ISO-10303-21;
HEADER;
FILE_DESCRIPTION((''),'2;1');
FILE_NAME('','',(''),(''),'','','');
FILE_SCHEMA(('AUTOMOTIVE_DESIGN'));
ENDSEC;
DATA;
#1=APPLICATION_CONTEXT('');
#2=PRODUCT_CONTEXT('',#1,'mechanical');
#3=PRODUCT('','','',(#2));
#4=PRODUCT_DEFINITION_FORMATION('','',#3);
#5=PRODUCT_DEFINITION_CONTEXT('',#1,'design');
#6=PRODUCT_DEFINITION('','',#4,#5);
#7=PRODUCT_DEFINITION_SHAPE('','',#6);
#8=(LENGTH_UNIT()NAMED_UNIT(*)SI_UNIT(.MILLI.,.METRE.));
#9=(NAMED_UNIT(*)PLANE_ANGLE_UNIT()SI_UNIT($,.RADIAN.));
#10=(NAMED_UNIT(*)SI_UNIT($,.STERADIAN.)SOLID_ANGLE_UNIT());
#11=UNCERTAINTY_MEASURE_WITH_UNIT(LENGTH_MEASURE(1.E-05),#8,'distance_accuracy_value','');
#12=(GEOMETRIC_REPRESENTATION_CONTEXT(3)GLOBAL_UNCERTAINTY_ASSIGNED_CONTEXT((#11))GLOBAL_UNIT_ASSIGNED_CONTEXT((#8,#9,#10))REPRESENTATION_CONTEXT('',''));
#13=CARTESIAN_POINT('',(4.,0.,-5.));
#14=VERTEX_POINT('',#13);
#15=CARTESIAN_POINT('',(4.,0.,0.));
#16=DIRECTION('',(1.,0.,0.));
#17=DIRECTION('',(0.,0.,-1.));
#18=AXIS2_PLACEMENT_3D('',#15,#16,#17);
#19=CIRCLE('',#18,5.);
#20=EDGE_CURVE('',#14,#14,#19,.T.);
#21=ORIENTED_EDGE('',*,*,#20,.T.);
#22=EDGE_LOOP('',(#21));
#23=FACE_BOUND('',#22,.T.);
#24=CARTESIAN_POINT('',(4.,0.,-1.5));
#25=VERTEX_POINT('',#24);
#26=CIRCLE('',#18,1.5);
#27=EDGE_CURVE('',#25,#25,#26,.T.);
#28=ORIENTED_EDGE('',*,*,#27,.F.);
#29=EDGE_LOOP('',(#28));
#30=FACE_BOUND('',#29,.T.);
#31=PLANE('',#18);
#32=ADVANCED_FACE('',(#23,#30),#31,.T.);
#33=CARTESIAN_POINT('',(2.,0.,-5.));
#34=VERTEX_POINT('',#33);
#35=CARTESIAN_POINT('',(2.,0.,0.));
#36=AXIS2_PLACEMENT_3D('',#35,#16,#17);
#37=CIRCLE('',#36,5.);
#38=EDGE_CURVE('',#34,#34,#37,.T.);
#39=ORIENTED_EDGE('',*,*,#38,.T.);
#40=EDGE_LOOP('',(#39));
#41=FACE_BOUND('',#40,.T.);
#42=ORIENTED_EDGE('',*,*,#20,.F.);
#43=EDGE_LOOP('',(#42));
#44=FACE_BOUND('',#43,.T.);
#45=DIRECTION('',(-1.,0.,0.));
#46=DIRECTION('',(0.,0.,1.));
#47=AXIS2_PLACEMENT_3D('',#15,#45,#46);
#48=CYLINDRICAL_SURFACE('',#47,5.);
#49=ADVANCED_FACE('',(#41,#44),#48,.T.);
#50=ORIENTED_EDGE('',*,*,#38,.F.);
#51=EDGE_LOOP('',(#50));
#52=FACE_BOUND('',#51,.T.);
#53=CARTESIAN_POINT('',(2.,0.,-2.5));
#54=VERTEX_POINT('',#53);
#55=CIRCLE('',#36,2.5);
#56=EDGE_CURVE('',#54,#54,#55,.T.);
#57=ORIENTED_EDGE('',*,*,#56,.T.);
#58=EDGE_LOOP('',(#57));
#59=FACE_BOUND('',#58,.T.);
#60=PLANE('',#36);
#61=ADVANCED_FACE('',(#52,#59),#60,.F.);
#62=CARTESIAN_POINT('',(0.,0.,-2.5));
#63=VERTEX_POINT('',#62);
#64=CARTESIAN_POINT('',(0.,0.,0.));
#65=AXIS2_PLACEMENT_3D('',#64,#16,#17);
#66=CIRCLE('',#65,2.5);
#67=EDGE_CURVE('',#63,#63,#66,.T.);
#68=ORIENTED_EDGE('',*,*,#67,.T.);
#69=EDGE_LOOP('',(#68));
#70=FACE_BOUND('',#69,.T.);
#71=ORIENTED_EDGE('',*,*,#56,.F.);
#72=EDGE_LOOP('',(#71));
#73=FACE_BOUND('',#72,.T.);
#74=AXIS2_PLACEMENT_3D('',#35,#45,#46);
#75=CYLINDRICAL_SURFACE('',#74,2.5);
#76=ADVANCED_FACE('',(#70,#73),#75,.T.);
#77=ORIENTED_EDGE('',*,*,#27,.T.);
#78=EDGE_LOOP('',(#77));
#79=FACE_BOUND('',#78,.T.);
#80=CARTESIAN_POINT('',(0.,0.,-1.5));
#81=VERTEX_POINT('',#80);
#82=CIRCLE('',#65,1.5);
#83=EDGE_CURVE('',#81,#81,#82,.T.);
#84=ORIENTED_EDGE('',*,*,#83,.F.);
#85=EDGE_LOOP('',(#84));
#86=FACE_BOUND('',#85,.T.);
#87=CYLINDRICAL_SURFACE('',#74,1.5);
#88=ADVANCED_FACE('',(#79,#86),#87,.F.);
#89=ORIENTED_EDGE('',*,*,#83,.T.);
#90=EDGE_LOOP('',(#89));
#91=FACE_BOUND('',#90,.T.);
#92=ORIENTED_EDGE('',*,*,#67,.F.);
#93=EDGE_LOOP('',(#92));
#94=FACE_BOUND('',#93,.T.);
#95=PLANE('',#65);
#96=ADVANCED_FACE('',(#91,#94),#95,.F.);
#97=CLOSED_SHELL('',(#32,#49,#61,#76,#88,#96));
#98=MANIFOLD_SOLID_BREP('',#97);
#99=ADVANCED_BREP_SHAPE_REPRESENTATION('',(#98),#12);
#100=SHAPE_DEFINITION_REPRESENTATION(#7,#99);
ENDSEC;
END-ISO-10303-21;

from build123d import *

# Parameters (mm, degrees)
SKETCH1_R           = 2.5
SKETCH1_R_2         = 1.5
BOSS_EXTRUDE1_DEPTH = 2
SKETCH2_R           = 5
SKETCH2_R_2         = 1.5
BOSS_EXTRUDE2_DEPTH = 2


with BuildPart() as part:
    # Sketch1 → Boss-Extrude1 (new body)
    with BuildSketch(Plane(origin=(0, 0, 0), x_dir=(0, 0, -1), z_dir=(1, 0, 0))):
        Circle(SKETCH1_R)
        Circle(SKETCH1_R_2, mode=Mode.SUBTRACT)
    extrude(amount=BOSS_EXTRUDE1_DEPTH)

    # Sketch2 → Boss-Extrude2 (add)
    with BuildSketch(Plane(origin=(2, 0, 0), x_dir=(0, 0, -1), z_dir=(1, 0, 0))):
        Circle(SKETCH2_R)
        Circle(SKETCH2_R_2, mode=Mode.SUBTRACT)
    extrude(amount=BOSS_EXTRUDE2_DEPTH)


solid = part.part
